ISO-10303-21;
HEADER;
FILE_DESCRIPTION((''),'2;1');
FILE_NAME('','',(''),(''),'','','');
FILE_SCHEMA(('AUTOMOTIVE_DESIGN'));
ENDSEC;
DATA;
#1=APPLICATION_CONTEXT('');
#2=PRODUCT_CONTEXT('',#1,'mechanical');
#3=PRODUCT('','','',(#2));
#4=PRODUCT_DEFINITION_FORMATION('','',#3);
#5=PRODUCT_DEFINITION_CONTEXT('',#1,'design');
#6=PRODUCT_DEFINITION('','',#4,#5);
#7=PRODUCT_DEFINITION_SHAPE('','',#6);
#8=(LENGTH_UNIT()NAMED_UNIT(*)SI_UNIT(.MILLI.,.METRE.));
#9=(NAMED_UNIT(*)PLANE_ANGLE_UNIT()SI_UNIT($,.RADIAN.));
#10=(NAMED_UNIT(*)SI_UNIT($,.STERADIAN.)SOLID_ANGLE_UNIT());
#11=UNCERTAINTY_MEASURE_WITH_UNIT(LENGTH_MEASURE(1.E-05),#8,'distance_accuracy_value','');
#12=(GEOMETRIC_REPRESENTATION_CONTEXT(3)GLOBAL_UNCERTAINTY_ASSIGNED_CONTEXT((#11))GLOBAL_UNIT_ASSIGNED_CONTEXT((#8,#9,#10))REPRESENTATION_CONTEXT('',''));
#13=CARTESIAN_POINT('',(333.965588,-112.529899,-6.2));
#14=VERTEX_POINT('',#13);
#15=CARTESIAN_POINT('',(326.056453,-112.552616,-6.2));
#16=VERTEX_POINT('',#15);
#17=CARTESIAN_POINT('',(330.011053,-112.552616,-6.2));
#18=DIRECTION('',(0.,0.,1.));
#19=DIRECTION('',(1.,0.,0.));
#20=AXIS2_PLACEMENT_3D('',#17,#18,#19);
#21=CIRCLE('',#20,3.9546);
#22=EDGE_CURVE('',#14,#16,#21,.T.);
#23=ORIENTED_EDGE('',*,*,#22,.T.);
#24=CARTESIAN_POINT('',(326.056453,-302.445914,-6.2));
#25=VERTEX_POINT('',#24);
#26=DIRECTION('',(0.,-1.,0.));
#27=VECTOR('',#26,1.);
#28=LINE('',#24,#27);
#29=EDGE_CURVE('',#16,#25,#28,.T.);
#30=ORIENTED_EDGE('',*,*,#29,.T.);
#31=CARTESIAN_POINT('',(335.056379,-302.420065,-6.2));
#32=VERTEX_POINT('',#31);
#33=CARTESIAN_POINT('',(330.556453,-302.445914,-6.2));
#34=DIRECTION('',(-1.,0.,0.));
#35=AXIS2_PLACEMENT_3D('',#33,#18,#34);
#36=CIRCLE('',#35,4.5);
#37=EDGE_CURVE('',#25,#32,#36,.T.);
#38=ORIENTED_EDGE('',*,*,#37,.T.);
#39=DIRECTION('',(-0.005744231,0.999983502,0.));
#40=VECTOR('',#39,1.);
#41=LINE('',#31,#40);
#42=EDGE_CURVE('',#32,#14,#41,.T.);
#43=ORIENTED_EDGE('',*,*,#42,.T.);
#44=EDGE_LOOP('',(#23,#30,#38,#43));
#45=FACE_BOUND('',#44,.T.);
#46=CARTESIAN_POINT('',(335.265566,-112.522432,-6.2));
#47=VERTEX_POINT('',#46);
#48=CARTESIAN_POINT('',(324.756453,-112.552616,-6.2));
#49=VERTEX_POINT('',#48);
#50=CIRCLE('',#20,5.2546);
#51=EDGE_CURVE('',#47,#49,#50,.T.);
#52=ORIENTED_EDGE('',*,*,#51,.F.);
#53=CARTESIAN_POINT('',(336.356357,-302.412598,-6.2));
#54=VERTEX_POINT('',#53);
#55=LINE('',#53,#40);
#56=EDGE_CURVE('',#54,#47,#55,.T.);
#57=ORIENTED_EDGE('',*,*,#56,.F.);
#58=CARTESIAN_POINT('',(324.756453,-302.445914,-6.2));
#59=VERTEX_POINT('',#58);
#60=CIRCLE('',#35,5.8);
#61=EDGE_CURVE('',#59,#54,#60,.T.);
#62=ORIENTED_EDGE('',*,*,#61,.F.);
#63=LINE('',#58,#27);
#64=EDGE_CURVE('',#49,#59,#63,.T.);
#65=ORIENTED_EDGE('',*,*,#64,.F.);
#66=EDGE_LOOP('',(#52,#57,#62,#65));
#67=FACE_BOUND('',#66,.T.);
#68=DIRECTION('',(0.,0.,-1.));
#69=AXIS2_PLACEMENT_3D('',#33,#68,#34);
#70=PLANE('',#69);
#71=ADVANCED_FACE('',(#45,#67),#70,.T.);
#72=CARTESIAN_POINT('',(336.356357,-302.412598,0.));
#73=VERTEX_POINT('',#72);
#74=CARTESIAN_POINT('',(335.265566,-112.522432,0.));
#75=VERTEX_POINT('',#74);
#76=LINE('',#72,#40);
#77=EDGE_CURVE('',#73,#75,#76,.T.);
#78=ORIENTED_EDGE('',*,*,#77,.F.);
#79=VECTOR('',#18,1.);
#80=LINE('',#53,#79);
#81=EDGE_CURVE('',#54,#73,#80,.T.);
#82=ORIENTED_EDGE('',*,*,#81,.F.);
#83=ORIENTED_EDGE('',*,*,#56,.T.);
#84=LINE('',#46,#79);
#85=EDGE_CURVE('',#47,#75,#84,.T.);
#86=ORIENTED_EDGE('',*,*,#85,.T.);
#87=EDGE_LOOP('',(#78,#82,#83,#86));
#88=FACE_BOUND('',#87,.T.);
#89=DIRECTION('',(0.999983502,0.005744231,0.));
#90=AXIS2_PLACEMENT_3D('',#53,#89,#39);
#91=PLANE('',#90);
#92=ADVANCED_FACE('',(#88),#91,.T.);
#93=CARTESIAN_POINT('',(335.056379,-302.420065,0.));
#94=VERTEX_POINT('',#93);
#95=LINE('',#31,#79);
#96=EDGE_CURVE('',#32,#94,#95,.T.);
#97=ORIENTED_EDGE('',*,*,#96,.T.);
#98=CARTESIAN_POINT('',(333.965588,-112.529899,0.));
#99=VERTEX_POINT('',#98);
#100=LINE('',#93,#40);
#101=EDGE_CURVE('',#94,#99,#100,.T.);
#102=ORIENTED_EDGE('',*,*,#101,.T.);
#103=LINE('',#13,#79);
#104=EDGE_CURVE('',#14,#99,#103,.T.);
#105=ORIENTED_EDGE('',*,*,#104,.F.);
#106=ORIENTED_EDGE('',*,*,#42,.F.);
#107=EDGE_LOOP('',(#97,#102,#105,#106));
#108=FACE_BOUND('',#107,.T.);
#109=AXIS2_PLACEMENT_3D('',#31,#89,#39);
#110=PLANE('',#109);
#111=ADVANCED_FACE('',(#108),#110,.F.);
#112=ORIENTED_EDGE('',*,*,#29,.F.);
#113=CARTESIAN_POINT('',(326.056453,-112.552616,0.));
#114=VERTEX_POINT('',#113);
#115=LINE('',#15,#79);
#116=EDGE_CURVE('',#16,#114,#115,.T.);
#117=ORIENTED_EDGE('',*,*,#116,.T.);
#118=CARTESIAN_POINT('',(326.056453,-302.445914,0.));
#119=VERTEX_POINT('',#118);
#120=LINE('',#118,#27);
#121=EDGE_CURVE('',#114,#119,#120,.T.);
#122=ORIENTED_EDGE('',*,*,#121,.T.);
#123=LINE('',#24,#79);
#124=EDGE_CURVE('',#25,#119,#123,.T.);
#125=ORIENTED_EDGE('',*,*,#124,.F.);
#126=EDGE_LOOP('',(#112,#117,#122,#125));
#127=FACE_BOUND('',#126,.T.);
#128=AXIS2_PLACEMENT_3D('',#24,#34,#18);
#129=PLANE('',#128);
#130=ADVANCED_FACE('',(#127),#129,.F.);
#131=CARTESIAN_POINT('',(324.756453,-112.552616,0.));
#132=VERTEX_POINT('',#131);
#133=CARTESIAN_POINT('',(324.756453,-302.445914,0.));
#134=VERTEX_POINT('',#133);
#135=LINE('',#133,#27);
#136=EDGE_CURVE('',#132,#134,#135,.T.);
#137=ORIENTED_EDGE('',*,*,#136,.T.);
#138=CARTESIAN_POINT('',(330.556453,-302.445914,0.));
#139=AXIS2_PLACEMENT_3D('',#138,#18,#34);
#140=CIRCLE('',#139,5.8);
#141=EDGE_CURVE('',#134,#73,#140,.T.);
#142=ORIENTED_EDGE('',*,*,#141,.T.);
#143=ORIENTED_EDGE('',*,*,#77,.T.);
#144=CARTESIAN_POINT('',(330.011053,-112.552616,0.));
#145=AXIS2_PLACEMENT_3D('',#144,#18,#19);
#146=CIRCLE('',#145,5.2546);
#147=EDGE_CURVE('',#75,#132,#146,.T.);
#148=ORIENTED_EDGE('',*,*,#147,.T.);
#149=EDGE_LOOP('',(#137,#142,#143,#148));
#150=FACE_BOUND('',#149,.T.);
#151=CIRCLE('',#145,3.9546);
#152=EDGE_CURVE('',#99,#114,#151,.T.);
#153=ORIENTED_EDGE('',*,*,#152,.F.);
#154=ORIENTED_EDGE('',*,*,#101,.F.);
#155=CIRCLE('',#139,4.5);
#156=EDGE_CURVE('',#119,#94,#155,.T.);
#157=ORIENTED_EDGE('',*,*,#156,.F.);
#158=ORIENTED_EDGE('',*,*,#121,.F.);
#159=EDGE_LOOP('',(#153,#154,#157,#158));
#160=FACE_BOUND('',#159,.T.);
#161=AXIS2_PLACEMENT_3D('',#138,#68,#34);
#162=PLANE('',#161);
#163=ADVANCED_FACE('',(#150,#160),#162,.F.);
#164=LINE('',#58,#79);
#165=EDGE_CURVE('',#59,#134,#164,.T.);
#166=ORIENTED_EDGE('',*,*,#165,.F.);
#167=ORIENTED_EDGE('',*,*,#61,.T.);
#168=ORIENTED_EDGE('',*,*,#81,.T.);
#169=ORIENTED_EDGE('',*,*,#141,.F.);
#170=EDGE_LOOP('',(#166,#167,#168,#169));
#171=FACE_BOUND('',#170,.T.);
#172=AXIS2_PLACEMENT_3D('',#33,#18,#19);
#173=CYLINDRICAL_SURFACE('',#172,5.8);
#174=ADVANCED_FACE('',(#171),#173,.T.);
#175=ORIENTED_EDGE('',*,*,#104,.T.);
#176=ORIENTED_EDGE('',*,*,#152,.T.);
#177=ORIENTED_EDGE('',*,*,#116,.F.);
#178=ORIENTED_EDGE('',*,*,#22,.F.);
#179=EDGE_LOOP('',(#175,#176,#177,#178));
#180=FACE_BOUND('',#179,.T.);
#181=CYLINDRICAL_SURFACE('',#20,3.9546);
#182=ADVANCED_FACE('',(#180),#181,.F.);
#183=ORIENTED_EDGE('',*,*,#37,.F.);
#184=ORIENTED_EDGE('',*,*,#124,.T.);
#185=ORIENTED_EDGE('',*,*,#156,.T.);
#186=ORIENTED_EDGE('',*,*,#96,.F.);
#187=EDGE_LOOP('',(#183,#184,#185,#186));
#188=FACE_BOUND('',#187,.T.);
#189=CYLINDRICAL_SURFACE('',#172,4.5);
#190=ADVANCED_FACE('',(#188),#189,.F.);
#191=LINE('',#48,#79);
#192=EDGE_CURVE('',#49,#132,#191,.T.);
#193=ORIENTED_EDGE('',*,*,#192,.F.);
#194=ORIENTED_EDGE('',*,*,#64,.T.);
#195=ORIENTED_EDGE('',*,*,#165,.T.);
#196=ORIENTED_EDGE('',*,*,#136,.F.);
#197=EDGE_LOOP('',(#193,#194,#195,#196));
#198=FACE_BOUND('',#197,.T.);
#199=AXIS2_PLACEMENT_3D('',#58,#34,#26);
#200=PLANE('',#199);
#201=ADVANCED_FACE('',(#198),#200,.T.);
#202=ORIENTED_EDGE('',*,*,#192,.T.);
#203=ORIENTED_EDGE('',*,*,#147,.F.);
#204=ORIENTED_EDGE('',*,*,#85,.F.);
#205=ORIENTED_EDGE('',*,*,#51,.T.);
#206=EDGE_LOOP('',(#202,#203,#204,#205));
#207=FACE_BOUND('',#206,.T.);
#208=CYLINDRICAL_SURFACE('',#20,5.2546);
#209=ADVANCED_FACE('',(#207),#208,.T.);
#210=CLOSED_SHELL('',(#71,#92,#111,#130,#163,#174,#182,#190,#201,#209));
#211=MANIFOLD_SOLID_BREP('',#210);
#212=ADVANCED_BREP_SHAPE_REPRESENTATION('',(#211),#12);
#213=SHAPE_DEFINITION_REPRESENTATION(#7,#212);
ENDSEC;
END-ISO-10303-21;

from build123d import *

# Parameters (mm, degrees)
BOSS_EXTRUDE1_DEPTH = 6.2


with BuildPart() as part:
    # Sketch1 → Boss-Extrude1 (new body)
    with BuildSketch(Plane.XY):
        with BuildLine():
            Line((324.756453181, -302.445914232), (324.756453181, -112.552615583))
            ThreePointArc((324.756453181, -112.552615583), (329.9959613, -107.298037255), (335.26556649, -112.522431946))
            Line((335.26556649, -112.522431946), (336.356357491, -302.412597691))
            ThreePointArc((336.356357491, -302.412597691), (330.57311152, -308.245890309), (324.756453181, -302.445914232))
        make_face()
        with BuildLine():
            Line((326.056453181, -302.445914232), (326.056453181, -112.552615583))
            ThreePointArc((326.056453181, -112.552615583), (329.999695066, -108.598031893), (333.965587938, -112.529899446))
            Line((333.965587938, -112.529899446), (335.056378939, -302.420065192))
            ThreePointArc((335.056378939, -302.420065192), (330.569377754, -306.945895671), (326.056453181, -302.445914232))
        make_face(mode=Mode.SUBTRACT)
    extrude(amount=-BOSS_EXTRUDE1_DEPTH)


solid = part.part
